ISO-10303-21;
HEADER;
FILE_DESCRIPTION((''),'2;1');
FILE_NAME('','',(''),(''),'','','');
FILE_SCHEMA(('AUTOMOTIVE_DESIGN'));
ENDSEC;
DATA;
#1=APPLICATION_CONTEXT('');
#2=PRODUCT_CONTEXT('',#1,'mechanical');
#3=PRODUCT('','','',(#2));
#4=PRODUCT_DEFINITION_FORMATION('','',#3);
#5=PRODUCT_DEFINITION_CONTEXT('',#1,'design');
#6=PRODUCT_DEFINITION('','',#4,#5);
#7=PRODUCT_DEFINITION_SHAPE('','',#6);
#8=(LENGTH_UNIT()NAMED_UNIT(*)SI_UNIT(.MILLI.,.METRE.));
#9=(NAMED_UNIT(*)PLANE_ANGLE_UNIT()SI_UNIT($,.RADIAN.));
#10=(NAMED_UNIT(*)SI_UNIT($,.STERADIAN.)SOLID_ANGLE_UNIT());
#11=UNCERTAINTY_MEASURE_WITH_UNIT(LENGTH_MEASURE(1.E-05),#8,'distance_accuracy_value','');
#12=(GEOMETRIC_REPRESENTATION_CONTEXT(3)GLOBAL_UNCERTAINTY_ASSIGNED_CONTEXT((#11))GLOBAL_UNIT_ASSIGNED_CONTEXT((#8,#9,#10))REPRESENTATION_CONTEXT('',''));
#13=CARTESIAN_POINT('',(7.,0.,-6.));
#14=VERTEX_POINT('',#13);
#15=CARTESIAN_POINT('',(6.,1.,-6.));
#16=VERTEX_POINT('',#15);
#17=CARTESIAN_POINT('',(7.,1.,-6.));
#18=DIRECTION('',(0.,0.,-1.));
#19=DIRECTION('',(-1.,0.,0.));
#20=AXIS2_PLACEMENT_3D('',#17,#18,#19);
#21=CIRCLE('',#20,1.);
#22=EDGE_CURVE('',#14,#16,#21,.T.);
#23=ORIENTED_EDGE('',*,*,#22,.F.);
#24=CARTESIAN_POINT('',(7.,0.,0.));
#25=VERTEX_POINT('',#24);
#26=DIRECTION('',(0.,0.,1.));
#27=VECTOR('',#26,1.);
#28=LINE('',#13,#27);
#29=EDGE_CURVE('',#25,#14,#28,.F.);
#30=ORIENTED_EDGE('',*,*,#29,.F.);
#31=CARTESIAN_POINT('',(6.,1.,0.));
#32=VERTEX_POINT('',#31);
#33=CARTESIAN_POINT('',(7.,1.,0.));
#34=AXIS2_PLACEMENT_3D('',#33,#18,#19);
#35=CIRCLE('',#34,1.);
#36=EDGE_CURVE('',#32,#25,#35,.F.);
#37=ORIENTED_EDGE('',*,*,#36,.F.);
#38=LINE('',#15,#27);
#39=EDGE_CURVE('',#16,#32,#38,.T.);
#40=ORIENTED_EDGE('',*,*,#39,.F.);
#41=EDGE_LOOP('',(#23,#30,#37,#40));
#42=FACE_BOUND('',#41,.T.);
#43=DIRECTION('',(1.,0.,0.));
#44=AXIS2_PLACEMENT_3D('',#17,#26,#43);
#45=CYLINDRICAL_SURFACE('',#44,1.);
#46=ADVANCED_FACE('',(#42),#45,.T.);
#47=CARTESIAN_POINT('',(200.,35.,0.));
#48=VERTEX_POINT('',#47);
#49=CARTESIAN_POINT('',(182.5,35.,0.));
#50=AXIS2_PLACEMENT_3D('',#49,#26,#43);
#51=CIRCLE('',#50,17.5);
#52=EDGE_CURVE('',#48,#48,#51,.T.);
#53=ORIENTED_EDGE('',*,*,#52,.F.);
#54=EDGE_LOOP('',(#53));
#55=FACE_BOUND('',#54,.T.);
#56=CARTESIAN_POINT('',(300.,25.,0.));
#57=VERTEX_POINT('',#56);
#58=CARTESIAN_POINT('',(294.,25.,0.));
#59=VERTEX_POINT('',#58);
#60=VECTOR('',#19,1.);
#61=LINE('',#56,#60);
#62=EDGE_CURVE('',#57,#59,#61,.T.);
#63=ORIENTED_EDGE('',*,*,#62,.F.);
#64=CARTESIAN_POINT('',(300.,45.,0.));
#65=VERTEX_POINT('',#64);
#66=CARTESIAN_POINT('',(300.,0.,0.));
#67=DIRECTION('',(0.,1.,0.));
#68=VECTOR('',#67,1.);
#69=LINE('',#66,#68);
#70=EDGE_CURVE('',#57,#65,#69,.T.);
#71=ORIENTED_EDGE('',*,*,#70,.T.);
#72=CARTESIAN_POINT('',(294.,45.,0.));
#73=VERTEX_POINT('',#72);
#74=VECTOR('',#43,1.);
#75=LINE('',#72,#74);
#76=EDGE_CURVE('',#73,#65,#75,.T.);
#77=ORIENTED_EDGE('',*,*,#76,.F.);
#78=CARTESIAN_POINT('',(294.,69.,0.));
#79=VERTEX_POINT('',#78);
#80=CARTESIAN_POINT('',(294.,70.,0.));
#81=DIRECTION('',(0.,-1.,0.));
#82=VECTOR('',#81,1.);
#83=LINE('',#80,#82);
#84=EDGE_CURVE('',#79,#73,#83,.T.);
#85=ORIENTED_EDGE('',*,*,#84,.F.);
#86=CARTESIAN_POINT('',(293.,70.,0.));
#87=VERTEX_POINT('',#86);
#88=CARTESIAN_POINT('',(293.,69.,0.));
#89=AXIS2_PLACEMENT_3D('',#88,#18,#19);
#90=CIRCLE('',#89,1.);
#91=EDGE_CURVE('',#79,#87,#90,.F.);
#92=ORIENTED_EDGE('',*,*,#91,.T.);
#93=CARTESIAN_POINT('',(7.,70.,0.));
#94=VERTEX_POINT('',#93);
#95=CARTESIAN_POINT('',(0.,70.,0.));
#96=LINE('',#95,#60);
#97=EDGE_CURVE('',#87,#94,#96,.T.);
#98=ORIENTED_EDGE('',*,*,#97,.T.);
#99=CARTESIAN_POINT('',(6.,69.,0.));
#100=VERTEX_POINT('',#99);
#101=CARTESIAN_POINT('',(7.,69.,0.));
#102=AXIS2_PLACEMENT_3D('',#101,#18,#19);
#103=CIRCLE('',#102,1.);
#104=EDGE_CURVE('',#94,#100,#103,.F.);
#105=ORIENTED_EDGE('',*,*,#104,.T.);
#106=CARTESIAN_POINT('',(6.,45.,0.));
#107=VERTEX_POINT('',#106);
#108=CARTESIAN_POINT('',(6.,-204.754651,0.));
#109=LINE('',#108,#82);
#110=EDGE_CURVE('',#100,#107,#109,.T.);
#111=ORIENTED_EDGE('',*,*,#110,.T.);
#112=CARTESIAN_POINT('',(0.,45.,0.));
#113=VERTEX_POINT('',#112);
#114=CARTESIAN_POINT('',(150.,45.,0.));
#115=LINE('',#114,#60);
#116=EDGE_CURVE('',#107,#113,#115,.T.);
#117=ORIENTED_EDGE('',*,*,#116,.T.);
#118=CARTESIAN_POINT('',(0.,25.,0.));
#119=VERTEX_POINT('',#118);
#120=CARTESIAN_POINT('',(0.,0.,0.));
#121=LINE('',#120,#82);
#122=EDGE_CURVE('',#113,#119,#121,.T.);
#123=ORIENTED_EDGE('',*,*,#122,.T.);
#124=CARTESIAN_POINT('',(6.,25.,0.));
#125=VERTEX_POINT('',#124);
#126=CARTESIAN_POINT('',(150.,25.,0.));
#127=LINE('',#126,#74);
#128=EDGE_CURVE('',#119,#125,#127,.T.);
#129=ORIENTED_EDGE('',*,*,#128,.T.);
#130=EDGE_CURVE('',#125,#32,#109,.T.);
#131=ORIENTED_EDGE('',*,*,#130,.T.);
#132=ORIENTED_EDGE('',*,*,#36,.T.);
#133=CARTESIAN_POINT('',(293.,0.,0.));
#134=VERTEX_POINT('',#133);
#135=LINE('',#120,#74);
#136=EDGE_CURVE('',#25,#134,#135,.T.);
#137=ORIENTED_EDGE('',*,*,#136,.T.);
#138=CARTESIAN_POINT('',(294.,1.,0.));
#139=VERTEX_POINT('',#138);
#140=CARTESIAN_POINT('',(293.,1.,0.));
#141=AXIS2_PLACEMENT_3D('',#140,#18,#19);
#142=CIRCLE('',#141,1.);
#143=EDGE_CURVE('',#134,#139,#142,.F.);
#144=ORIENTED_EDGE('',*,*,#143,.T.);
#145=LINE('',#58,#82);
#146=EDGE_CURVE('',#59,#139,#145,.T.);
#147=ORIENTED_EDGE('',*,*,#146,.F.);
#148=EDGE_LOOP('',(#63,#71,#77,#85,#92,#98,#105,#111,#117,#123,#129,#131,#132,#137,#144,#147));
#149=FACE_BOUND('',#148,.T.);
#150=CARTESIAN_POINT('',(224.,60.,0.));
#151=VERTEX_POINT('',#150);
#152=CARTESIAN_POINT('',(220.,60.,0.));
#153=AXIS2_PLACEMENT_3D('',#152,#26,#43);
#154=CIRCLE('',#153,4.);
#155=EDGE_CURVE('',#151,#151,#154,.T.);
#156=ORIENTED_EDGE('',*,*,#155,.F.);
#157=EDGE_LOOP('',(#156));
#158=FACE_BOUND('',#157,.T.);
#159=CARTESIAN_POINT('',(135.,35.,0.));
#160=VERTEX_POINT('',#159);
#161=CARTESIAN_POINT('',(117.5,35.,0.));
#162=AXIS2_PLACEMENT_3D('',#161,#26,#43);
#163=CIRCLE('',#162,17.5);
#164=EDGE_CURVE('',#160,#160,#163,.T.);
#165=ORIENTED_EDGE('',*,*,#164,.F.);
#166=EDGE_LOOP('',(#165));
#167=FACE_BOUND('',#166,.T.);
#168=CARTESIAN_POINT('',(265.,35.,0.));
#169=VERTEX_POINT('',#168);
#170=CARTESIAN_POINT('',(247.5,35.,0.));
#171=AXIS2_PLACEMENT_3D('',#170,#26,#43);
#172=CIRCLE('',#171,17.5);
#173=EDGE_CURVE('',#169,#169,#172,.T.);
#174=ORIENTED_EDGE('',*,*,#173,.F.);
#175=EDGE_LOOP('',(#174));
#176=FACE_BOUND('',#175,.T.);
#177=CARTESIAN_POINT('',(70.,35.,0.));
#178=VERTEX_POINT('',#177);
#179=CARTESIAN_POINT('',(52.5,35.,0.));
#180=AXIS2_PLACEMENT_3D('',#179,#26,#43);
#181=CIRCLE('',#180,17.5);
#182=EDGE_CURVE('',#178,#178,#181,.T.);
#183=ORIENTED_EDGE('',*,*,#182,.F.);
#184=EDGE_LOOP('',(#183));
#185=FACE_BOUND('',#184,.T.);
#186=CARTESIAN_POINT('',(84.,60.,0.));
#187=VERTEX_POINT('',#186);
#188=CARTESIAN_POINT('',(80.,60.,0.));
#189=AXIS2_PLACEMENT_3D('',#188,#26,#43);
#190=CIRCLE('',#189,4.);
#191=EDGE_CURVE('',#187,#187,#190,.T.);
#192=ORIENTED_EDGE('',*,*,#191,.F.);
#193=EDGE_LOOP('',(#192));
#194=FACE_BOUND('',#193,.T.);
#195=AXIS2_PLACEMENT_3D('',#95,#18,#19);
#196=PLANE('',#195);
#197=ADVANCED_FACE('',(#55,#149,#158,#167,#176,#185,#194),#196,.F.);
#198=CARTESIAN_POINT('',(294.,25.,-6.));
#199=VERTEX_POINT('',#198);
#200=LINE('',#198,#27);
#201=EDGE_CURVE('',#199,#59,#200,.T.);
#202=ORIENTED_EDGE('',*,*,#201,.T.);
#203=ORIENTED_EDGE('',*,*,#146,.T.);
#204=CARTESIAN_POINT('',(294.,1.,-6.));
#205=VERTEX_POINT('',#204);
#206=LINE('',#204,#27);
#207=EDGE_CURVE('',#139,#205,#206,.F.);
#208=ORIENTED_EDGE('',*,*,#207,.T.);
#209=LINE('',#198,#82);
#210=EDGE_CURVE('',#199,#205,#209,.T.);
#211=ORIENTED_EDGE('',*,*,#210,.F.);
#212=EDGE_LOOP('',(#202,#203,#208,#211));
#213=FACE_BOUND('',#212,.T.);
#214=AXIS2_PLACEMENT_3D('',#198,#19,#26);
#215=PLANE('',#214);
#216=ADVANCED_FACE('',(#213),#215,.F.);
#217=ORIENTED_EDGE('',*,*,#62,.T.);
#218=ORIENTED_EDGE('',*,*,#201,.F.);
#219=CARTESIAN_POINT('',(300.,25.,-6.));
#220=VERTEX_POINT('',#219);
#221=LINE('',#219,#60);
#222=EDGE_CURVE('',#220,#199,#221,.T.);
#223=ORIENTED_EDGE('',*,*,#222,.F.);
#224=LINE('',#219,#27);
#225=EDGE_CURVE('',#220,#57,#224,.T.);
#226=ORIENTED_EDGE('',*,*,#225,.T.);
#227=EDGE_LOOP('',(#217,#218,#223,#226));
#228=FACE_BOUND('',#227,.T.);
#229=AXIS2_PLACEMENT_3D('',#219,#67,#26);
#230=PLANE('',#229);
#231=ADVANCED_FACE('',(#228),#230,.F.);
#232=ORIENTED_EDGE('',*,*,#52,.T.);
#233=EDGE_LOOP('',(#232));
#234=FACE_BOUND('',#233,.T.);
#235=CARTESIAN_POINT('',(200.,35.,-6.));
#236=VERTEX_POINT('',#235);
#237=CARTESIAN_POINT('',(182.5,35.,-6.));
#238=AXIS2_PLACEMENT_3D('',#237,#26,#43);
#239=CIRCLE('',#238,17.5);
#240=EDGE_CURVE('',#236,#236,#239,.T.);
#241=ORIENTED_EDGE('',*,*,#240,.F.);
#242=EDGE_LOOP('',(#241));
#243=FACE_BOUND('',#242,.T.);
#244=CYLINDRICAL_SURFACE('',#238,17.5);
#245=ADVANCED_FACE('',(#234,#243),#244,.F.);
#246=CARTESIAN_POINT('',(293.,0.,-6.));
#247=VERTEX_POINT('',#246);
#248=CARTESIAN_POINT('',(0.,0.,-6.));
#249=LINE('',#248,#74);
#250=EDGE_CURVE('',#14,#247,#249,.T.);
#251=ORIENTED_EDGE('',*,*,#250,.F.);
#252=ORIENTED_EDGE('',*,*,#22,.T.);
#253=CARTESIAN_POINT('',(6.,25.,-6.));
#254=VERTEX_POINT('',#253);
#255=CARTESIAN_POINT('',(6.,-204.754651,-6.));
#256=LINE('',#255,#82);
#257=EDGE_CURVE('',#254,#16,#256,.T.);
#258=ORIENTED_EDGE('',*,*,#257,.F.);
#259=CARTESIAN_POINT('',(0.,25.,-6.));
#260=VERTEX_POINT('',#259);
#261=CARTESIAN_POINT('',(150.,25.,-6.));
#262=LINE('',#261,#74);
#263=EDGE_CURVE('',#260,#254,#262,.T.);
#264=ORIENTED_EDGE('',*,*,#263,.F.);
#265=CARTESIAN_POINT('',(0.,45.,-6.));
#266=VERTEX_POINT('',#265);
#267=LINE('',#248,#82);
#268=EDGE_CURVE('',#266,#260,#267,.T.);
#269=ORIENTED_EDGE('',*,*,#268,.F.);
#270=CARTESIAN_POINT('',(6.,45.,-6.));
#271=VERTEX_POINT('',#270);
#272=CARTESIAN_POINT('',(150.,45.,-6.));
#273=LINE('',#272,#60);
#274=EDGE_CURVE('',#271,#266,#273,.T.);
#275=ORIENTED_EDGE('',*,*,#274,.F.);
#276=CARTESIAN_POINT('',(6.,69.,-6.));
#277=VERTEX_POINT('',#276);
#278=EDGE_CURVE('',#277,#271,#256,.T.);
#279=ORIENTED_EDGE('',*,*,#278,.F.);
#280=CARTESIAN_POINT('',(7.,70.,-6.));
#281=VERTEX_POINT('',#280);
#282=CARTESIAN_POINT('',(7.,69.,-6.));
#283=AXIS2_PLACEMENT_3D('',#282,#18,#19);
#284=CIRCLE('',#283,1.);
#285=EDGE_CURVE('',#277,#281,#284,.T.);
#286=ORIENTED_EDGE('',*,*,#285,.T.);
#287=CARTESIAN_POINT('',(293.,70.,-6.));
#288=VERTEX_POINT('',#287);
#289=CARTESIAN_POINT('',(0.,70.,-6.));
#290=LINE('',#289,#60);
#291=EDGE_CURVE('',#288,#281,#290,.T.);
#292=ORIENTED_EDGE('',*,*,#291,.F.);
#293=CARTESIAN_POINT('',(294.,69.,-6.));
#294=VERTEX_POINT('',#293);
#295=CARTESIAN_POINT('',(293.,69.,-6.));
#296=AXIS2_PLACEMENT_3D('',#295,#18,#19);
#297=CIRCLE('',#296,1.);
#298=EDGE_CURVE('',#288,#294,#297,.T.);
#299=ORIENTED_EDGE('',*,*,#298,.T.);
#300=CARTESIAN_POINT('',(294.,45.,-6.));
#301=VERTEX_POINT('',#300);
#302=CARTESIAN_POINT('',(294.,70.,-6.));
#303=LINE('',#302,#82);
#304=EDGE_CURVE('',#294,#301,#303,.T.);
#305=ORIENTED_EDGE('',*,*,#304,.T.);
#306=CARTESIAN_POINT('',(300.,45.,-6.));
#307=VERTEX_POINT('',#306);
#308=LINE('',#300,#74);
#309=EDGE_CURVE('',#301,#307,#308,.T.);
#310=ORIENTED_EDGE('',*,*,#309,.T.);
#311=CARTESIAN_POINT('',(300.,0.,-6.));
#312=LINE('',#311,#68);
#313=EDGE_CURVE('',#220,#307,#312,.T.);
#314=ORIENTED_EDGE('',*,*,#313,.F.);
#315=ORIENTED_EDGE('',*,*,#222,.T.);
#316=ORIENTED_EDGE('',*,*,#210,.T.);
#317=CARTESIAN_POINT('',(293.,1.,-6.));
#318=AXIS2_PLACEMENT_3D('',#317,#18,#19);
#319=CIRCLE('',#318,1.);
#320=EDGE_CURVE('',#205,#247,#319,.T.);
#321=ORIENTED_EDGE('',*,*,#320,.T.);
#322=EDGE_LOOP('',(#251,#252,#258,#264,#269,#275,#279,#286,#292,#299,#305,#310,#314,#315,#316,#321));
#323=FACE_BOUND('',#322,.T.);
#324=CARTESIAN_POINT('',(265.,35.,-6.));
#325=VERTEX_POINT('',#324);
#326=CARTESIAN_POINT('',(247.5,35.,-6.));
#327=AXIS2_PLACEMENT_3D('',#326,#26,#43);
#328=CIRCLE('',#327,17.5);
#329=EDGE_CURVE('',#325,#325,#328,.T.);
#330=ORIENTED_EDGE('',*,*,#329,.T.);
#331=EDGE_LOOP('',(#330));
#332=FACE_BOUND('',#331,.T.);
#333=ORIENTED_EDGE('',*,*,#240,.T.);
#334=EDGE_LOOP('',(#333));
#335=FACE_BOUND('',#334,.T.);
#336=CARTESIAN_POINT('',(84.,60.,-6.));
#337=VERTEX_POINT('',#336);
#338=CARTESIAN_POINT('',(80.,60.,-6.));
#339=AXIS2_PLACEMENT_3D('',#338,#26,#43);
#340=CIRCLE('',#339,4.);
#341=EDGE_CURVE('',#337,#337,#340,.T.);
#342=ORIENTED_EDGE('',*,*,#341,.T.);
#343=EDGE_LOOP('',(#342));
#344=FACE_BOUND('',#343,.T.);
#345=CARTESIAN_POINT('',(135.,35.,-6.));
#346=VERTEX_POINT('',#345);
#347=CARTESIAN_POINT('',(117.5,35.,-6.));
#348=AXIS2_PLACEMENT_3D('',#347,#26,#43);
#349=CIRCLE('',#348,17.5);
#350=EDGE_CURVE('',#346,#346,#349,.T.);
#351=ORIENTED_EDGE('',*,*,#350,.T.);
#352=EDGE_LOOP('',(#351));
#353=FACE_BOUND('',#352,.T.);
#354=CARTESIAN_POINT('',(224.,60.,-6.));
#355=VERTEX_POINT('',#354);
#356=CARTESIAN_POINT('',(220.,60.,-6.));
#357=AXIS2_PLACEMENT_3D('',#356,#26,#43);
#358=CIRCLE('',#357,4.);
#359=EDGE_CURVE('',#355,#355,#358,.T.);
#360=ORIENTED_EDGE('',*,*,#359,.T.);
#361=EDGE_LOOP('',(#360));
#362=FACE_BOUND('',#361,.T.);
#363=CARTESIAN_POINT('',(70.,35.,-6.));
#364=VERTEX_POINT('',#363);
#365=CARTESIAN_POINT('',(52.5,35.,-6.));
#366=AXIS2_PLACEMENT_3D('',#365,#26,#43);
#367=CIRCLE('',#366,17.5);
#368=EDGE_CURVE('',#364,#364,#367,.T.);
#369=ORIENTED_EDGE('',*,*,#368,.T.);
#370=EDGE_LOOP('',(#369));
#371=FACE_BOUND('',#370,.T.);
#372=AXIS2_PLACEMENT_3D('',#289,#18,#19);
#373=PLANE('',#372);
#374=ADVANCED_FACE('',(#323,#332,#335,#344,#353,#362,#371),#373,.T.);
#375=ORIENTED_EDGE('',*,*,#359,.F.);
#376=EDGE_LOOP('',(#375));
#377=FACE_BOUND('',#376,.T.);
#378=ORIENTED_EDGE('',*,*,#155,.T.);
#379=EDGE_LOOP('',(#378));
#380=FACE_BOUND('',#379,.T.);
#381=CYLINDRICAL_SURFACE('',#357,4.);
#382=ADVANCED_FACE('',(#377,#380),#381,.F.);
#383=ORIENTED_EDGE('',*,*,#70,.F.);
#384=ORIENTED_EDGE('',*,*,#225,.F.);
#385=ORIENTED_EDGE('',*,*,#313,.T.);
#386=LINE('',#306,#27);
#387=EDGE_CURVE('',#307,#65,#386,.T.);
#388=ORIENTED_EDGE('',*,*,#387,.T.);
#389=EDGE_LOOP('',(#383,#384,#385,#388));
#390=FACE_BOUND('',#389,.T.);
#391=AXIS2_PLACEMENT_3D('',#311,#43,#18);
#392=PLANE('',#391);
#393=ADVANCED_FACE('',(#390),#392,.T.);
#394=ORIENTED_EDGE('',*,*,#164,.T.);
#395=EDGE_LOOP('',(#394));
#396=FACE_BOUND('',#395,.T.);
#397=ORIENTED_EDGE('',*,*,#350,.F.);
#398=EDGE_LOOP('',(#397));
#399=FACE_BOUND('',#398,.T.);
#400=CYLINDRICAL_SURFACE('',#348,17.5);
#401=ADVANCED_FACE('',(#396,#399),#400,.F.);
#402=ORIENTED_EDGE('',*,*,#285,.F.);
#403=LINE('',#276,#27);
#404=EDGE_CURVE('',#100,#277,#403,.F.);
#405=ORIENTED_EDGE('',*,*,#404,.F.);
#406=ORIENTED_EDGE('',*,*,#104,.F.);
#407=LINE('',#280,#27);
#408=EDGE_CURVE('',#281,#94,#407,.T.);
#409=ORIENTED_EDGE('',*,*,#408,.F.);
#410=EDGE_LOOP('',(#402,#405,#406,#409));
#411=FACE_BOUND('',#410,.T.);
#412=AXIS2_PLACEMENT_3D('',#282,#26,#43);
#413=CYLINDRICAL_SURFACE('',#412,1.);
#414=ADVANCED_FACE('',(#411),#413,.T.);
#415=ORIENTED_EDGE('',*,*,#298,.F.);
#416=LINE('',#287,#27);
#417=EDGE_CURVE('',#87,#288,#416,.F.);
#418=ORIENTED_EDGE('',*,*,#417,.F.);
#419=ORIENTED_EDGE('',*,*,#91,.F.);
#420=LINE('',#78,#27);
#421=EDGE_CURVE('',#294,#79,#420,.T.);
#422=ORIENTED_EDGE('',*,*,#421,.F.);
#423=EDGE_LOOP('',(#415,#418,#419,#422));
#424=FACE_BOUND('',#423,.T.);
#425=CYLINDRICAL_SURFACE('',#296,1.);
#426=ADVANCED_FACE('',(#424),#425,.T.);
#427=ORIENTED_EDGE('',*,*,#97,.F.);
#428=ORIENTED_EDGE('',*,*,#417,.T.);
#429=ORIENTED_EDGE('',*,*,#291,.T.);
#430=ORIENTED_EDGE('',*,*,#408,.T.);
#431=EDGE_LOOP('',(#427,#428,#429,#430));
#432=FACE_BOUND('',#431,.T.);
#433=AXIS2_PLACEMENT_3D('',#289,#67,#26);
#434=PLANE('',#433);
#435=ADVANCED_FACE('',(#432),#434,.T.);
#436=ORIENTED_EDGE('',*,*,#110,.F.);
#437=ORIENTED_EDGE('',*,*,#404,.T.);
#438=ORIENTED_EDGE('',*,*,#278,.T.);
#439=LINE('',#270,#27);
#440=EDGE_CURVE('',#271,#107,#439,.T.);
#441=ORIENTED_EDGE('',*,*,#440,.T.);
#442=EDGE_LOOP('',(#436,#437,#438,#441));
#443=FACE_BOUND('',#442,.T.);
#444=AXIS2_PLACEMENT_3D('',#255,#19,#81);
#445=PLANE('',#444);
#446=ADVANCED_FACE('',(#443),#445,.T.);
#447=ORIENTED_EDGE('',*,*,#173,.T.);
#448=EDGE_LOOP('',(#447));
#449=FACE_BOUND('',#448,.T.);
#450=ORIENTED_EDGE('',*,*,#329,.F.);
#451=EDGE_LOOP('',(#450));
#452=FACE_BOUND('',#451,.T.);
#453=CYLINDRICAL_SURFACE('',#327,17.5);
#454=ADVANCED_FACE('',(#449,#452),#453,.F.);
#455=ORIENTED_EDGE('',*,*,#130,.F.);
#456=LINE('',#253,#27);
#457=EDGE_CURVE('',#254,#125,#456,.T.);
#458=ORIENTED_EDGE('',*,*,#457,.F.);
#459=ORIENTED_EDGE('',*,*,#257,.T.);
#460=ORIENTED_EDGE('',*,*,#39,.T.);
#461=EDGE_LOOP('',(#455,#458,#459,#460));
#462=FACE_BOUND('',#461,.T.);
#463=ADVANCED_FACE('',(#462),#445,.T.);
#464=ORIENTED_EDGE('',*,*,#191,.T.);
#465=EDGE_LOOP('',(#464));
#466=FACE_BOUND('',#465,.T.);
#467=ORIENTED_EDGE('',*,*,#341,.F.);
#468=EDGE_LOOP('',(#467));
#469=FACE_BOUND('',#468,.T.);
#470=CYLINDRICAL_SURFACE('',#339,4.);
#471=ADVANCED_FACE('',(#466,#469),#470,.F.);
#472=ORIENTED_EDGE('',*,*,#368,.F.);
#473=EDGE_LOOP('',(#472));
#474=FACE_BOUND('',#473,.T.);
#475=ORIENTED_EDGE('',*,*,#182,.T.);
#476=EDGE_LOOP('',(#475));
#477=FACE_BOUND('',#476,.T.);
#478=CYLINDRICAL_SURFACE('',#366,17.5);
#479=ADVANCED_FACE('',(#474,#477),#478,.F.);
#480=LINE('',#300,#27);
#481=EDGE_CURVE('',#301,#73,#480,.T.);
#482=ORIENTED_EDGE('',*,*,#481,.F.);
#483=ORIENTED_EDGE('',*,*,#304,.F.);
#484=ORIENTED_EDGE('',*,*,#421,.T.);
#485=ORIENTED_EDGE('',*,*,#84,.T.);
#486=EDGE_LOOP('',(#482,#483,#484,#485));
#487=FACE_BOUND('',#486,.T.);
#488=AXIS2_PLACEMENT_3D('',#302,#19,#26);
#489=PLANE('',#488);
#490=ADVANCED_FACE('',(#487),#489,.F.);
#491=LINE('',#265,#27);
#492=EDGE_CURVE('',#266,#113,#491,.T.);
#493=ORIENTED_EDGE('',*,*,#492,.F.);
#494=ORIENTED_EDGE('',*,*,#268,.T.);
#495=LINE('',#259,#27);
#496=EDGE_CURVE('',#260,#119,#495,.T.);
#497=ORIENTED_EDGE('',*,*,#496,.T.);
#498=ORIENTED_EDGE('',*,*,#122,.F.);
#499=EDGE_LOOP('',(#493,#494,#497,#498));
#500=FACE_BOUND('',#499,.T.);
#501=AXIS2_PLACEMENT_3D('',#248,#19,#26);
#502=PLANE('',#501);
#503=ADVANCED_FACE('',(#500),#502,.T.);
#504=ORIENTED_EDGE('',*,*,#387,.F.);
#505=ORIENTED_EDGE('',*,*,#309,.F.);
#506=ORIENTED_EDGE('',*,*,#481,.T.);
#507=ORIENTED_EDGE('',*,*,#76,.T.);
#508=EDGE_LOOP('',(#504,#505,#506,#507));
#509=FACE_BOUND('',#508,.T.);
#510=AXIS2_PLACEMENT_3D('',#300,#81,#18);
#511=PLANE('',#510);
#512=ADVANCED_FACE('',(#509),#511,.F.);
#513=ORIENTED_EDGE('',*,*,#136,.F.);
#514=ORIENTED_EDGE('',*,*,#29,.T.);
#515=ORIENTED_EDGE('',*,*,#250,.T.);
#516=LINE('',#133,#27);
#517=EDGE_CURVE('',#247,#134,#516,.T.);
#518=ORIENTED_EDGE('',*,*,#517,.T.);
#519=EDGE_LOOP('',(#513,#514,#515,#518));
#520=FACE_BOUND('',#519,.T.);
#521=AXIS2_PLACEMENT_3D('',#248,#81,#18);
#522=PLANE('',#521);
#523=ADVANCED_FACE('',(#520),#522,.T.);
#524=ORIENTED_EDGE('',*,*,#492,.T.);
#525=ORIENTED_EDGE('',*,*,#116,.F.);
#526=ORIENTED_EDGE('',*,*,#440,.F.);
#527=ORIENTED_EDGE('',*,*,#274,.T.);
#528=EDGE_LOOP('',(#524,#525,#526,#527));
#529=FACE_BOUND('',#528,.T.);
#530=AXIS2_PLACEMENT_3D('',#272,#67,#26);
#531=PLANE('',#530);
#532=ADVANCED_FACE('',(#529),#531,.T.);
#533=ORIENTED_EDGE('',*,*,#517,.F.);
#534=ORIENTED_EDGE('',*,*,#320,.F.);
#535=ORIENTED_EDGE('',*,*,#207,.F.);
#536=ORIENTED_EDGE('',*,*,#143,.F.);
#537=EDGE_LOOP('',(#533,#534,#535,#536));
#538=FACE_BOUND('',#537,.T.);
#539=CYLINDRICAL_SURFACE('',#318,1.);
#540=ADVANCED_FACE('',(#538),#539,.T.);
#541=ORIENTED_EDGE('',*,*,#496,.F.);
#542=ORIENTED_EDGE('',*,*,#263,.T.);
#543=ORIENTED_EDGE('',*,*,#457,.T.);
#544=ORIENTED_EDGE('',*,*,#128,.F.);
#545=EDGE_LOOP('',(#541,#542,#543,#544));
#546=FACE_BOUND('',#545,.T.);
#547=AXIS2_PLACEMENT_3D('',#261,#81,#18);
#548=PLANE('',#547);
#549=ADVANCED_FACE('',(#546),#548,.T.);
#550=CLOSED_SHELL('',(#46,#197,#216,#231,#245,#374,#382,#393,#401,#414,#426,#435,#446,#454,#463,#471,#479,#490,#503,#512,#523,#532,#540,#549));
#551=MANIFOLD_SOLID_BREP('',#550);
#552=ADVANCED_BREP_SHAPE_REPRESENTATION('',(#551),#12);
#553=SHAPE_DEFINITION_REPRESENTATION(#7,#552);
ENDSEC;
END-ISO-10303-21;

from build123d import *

# Parameters (mm, degrees)
SKETCH1_W   = 300
SKETCH1_H   = 70
FRONT_DEPTH = 6
SKETCH2_W   = 6
SKETCH2_H   = 25
SKETCH2_R   = 4
MOUNT_DEPTH = 309.116860947
FILLET_2_R  = 1
SKETCH3_R   = 17.5
LITE_DEPTH  = 309.116860947


with BuildPart() as part:
    # Sketch1 → front (new body)
    with BuildSketch(Plane.XY):
        with Locations((150, 35)):
            Rectangle(SKETCH1_W, SKETCH1_H)
    extrude(amount=-FRONT_DEPTH)

    # Sketch2 → mount (cut, through all)
    with BuildSketch(Plane.XY):
        with Locations((3, 57.5)):
            Rectangle(SKETCH2_W, SKETCH2_H)
        with Locations((3, 12.5)):
            Rectangle(SKETCH2_W, SKETCH2_H)
        with Locations((297, 57.5)):
            Rectangle(SKETCH2_W, SKETCH2_H)
        with Locations((297, 12.5)):
            Rectangle(SKETCH2_W, SKETCH2_H)
        with Locations((80, 60)):
            Circle(SKETCH2_R)
        with Locations((220, 60)):
            Circle(SKETCH2_R)
    extrude(amount=-MOUNT_DEPTH, mode=Mode.SUBTRACT)

    # fillet 2
    fillet_2_edges = [part.edges().sort_by_distance(p)[0] for p in [
        (6, 70, -3),
        (6, 0, -3),
        (294, 70, -3),
        (294, 0, -3),
    ]]
    fillet(fillet_2_edges, radius=FILLET_2_R)

    # Sketch3 → lite (cut, through all)
    with BuildSketch(Plane.XY):
        with Locations((52.5, 35)):
            Circle(SKETCH3_R)
        with Locations((117.5, 35)):
            Circle(SKETCH3_R)
        with Locations((182.5, 35)):
            Circle(SKETCH3_R)
        with Locations((247.5, 35)):
            Circle(SKETCH3_R)
    extrude(amount=-LITE_DEPTH, mode=Mode.SUBTRACT)


solid = part.part
